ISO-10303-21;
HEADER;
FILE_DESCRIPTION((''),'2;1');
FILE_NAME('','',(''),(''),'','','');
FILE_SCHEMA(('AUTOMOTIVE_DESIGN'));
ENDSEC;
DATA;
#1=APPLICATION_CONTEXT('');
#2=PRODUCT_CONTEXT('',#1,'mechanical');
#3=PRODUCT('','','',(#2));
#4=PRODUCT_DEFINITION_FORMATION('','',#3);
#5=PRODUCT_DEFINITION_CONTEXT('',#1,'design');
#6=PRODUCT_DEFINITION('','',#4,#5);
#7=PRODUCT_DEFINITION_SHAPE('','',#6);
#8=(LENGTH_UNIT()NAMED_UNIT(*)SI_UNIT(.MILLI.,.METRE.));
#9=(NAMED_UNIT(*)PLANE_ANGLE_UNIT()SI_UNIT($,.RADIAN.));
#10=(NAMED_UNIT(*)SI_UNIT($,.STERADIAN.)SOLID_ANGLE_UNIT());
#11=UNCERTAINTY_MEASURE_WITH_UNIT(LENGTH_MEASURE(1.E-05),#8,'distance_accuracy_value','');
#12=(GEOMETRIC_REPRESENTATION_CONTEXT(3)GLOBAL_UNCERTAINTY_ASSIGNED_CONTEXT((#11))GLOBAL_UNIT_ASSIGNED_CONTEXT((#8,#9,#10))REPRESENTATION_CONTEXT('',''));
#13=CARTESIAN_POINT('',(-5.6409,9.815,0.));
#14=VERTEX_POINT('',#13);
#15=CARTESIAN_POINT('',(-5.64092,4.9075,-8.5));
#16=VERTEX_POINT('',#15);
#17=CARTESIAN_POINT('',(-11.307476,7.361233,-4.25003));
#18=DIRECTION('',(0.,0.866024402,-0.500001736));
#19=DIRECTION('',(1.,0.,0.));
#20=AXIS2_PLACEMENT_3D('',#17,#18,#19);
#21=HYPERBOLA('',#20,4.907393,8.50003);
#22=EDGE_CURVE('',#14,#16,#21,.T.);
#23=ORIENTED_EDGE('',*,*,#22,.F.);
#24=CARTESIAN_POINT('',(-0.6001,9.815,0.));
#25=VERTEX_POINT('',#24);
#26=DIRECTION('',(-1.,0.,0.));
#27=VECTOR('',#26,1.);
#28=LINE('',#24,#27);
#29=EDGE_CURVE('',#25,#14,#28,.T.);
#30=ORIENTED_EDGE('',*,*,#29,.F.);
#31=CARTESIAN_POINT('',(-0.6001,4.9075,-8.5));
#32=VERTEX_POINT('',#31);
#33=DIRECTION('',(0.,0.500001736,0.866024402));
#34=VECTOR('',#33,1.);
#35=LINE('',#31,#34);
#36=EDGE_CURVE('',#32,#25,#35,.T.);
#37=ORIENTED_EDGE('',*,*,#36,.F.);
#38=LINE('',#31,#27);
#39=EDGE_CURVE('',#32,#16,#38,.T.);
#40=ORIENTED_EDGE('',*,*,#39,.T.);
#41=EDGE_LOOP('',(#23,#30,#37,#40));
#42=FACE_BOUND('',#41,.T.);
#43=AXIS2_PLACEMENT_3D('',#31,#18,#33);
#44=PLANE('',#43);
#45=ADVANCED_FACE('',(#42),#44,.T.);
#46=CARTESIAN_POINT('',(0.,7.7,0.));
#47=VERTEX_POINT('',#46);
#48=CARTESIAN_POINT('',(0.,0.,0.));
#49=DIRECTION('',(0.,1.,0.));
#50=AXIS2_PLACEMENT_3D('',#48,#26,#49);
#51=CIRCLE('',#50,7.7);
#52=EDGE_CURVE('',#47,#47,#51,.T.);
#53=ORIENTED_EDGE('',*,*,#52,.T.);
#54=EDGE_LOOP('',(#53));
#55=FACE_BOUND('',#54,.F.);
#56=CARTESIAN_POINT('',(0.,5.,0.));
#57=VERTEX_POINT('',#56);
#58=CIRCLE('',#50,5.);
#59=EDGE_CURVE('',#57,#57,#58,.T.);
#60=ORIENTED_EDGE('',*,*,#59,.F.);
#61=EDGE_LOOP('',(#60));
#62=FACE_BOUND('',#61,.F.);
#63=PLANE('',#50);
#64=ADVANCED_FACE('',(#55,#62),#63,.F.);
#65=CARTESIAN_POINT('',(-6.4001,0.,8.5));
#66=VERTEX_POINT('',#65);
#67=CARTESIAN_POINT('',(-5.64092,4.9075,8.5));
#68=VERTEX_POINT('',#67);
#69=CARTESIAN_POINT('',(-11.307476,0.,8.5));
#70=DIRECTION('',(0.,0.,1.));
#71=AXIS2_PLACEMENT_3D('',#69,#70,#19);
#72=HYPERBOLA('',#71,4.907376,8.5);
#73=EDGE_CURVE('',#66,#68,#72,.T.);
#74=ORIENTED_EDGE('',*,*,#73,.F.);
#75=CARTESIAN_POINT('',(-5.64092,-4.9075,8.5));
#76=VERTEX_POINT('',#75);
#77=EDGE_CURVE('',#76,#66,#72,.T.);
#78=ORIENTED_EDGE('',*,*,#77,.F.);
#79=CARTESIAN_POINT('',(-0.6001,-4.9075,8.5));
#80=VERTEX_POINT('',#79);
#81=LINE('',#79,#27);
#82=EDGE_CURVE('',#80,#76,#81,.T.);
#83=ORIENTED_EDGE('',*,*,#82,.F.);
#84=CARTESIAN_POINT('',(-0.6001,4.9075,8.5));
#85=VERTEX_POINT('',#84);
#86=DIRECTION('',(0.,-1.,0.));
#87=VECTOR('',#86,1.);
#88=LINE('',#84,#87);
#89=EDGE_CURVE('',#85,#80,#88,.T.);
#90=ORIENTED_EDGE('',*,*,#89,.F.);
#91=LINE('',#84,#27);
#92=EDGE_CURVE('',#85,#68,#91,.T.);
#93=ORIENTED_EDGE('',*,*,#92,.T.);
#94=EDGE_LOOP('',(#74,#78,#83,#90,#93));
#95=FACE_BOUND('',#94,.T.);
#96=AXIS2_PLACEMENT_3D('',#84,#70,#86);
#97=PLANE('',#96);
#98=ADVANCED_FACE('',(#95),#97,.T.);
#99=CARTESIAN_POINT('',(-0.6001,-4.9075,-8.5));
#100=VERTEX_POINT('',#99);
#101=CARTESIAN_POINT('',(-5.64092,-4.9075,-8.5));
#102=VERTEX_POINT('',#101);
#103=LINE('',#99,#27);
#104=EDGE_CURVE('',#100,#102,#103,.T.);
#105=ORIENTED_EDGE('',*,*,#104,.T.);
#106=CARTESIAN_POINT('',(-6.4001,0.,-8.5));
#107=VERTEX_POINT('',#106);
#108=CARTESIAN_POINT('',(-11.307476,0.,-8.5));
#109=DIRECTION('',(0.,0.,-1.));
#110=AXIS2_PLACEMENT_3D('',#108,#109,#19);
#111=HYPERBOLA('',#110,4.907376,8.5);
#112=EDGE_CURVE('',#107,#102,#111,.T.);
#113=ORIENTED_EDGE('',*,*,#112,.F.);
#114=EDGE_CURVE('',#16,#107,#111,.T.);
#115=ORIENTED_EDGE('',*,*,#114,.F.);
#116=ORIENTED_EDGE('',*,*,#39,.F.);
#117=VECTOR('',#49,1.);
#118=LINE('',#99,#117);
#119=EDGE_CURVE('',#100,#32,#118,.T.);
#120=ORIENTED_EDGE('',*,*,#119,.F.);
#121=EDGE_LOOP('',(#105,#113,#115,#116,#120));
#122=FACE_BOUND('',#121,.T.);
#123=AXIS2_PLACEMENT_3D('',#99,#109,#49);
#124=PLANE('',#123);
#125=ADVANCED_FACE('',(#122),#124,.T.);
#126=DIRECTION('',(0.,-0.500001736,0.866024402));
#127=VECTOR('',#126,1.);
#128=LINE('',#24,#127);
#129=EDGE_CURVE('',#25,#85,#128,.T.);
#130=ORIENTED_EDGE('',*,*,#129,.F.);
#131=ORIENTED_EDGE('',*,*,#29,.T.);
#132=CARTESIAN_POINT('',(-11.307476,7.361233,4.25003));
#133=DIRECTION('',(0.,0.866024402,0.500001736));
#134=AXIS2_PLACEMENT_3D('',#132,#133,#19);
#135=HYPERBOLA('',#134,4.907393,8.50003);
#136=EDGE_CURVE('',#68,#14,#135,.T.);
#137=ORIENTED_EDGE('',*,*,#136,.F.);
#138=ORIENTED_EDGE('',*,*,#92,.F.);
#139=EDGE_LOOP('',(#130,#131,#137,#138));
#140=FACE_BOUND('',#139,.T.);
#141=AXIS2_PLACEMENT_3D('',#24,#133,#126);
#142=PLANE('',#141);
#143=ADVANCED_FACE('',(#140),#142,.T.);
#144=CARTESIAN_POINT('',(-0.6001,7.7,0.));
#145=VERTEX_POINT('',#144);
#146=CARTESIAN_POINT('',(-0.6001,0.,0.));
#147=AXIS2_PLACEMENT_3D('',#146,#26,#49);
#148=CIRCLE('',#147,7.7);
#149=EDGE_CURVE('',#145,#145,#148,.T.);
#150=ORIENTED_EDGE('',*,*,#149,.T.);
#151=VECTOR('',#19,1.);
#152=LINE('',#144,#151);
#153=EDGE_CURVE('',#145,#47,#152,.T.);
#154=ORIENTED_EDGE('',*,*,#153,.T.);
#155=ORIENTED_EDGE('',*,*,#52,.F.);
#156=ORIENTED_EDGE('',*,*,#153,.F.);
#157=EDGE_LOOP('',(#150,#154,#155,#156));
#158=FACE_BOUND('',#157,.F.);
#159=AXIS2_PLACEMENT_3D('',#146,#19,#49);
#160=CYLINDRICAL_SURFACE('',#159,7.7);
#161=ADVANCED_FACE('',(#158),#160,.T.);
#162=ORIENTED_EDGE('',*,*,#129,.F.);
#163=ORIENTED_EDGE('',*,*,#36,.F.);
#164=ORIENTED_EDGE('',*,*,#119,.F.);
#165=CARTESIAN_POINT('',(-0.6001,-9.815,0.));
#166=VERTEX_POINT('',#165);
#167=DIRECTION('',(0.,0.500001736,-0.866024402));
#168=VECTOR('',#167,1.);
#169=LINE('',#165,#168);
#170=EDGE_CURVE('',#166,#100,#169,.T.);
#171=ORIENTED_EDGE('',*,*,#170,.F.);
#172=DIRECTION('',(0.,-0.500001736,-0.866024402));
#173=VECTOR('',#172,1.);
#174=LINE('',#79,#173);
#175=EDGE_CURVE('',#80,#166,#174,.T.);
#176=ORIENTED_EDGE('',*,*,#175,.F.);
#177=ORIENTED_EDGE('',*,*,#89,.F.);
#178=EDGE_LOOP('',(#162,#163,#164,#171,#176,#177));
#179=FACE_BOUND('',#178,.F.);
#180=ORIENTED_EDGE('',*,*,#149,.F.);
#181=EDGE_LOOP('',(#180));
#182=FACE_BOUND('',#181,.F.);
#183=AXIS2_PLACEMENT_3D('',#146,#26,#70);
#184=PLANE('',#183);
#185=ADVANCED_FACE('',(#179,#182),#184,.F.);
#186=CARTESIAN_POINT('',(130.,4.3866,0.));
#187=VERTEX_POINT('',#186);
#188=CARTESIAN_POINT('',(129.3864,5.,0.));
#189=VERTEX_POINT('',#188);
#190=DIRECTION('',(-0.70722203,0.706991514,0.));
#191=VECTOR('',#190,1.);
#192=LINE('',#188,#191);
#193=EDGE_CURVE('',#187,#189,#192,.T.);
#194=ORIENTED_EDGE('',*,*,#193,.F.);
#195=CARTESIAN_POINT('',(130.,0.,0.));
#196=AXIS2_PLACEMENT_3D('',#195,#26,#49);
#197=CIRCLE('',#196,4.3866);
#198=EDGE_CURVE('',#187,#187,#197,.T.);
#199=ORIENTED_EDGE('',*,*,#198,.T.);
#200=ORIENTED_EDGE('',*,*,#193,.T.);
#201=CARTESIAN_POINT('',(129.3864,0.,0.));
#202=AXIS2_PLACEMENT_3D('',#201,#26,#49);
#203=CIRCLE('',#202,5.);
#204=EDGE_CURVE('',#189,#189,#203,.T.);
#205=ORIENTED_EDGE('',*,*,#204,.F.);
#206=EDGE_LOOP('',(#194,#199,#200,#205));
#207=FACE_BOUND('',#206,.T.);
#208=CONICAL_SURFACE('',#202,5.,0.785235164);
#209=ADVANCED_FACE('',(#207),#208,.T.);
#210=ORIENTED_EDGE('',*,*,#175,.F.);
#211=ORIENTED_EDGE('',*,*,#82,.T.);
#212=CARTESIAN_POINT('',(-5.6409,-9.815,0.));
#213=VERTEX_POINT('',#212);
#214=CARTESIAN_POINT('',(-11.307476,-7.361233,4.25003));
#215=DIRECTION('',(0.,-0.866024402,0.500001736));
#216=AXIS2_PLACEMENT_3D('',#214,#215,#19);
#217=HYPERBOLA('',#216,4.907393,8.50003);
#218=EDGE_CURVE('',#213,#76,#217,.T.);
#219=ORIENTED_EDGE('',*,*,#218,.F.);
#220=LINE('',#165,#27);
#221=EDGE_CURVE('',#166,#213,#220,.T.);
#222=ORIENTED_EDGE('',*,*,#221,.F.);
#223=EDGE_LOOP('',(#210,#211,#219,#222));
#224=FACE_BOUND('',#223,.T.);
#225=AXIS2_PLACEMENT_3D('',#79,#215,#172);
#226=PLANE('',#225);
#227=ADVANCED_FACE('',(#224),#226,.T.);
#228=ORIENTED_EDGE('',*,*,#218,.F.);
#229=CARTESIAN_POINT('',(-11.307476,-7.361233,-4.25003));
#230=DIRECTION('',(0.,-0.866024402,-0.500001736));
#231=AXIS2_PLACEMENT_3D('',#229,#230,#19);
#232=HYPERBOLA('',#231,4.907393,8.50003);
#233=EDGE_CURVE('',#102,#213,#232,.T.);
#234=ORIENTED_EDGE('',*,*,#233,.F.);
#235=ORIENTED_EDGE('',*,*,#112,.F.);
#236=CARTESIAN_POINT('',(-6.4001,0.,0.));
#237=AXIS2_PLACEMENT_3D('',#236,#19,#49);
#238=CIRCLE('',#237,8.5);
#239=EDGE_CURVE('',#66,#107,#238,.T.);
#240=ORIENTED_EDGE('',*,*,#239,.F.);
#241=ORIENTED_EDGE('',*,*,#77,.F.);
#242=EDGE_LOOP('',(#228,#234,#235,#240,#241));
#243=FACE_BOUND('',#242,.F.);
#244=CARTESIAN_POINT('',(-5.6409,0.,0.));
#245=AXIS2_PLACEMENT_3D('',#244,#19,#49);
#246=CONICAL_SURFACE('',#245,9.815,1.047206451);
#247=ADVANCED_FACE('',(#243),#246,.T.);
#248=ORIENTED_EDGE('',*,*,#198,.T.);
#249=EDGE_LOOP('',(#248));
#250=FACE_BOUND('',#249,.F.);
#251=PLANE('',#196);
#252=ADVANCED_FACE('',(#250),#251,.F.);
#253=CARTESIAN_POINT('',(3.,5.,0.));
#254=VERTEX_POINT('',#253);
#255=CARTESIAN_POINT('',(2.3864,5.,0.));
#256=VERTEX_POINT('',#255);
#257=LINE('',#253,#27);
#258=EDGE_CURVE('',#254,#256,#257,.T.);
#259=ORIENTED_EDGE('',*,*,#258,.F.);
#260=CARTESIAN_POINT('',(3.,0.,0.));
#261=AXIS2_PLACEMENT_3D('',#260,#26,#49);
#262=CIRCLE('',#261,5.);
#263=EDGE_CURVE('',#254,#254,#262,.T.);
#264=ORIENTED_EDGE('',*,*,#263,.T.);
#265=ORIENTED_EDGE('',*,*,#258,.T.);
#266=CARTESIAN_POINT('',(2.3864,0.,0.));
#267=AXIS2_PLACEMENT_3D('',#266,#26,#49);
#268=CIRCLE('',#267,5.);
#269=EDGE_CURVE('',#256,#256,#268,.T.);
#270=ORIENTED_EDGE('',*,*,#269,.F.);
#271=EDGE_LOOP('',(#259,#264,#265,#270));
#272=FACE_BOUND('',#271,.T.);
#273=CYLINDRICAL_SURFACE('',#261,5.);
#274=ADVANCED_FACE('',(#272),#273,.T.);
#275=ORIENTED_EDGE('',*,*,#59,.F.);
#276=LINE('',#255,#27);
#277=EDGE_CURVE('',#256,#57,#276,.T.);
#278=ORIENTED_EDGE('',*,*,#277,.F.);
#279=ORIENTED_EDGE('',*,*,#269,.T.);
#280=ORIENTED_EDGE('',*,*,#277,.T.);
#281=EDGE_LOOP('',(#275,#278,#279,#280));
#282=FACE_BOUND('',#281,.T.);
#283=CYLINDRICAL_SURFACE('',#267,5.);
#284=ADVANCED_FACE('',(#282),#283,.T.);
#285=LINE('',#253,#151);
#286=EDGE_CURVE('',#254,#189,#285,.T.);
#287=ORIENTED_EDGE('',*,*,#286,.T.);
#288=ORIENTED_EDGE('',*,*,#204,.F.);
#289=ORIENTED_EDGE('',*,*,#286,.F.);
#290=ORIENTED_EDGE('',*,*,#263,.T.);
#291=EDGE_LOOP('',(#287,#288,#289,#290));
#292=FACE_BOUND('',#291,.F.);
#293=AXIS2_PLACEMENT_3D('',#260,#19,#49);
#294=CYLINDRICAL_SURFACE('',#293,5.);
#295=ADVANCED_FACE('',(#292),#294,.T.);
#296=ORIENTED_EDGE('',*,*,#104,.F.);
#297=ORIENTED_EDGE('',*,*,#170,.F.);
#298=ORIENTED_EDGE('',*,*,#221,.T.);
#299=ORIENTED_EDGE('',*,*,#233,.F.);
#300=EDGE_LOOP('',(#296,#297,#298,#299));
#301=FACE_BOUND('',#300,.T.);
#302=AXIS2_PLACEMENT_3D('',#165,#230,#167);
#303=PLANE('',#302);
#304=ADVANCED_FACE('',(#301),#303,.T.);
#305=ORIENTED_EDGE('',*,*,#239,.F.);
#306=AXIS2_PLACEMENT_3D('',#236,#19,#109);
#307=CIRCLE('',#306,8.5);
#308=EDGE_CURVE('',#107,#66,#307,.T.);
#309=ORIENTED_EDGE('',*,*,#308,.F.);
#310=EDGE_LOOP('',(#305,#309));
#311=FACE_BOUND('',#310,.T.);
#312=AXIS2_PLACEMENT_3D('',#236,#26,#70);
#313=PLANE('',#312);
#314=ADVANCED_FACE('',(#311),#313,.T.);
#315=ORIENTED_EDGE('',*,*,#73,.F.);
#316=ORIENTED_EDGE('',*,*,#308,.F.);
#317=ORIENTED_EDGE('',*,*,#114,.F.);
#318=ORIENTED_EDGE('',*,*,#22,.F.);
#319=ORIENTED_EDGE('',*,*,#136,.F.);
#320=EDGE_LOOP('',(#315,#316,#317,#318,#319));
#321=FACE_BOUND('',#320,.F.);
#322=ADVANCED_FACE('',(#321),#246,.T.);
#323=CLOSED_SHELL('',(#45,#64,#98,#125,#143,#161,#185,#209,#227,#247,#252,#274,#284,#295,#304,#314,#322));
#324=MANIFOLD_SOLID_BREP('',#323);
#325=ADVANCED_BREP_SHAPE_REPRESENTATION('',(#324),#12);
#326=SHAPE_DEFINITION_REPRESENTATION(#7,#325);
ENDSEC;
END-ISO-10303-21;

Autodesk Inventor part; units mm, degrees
ref_plane "YZ Plane" through (0, 0, 0) normal (1, 0, 0) x (0, 1, 0)
ref_plane "XZ Plane" through (0, 0, 0) normal (0, 1, 0) x (-1, 0, 0)
sketch "Sketch1" plane through (0, 0, 0) normal (0, 0, 1) x (1, 0, 0)
  line L0 (0, 7.7) -> (0, 5)
  line L1 (3, 5) -> (130, 5)
  line L2 (130, 5) -> (130, 0)
  line L3 (130, 0) -> (-0.6001, 0)
  line L4 (-26.7201, 0) -> (156.12, 0) projected
  line L5 (-0.6001, 0) -> (-0.6001, 7.7)
  line L6 (-0.6001, 7.7) -> (0, 7.7)
  line L7 (3, 5) -> (2.3864, 5)
  line L8 (2.3864, 5) -> (0, 5)
  line L9 (0, -1.54) -> (0, 9.24) projected
  dimension "d0" = 130
  dimension "d1" = 127
  dimension "d2" = 10
  dimension "d9" = 0.6001
  dimension "d10" = 15.4
  dimension "d13" = 0.6136
  dimension "d14" = 10
revolve "Body" add sketch "Sketch1" angle 360 about axis through (130, 0, 0) along (-1, 0, 0)
sketch "Sketch2" plane through (-0.6001, 0, 0) normal (-1, 0, 0) x (0, 0, 1)
  line L0 (0, 9.815) -> (8.5, 4.9075)
  line L1 (8.5, 4.9075) -> (8.5, -4.9075)
  line L2 (8.5, -4.9075) -> (0, -9.815)
  line L3 (0, -9.815) -> (-8.5, -4.9075)
  line L4 (-8.5, -4.9075) -> (-8.5, 4.9075)
  line L5 (-8.5, 4.9075) -> (0, 9.815)
  point P0 (0, 0)
  point P1 (0, 0)
  dimension "d11" = 17
extrude "Head" add sketch "Sketch2" along normal blind 5.8
sketch "Sketch4" plane through (0, 0, 0) normal (0, 0, 1) x (1, 0, 0)
  line L0 (-6.4001, 8.5) -> (-6.4001, 9.815)
  line L1 (-6.4001, 9.815) -> (-5.6409, 9.815)
  line L2 (-5.6409, 9.815) -> (-6.4001, 8.5)
  line L3 (-7.5601, 0) -> (0.5599, 0) projected
  line L4 (-0.6001, 9.815) -> (-6.4001, 9.815) projected
  line L5 (-6.4001, 4.9075) -> (-6.4001, 9.815) projected
  dimension "d5" = 30
  dimension "d19" = 17
revolve "Chamfer1" cut sketch "Sketch4" angle 360 about axis through (-10, 0, 0) along (1, 0, 0)
thread "Thread" size "M10x1" class "6g" standard "ISO Metric profile" length 127
chamfer "Chamfer2" distance 0.6134 distance2 0.6136 1 edges at (130, -5, 0) measured on face at (130, -1.4758, -0.7745)
ref_plane "Work Plane1" through (1.525, 0, 0) normal (0, 0, 1) x (1, 0, 0)
equation "\"d0\" = NLG"
equation "\"d1\" = GEL"
equation "\"d2\" = GD"
equation "\"d10\" = SD2"
equation "\"d14\" = BDM"
equation "\"d11\" = SW"
equation "\"d3\" = KOH - SD"
equation "\"d5\" = ANG1"
equation "\"d19\" = SW0"
equation "\"d15\" = GEL"
equation "\"d6\" = -0.5 * SPD + 0.5 * GD"
equation "\"NLG\" = 130"
equation "\"GD\" = NND"
equation "\"BDM\" = NND"
equation "\"KOH\" = 6.4"
equation "\"GEL\" = 127"
equation "\"SW\" = 17"
equation "\"SW0\" = 17"
equation "\"SPD\" = NND - 1.2269 * PTC"
equation "\"SD2\" = 15.4"
equation "\"SD\" = 0.6"
equation "\"ANG1\" = 30deg"
equation "\"GAL\" = 0.61345 * PTC"
equation "\"GUL\" = 0.61345 * PTC"
equation "\"RR\" = 0"
equation "\"GD1\" = THREADDIA - 1.2269 * PTC"
equation "\"TOA\" = 30deg"
equation "\"FAWI\" = 45deg"
equation "\"PTC\" = 1"
equation "\"E0\" = 1.155 * SW"
equation "\"NND\" = 10"
equation "\"THREADDIA\" = 10"
properties part number "DIN 961 - M10 x 130" material "Steel, Mild"
